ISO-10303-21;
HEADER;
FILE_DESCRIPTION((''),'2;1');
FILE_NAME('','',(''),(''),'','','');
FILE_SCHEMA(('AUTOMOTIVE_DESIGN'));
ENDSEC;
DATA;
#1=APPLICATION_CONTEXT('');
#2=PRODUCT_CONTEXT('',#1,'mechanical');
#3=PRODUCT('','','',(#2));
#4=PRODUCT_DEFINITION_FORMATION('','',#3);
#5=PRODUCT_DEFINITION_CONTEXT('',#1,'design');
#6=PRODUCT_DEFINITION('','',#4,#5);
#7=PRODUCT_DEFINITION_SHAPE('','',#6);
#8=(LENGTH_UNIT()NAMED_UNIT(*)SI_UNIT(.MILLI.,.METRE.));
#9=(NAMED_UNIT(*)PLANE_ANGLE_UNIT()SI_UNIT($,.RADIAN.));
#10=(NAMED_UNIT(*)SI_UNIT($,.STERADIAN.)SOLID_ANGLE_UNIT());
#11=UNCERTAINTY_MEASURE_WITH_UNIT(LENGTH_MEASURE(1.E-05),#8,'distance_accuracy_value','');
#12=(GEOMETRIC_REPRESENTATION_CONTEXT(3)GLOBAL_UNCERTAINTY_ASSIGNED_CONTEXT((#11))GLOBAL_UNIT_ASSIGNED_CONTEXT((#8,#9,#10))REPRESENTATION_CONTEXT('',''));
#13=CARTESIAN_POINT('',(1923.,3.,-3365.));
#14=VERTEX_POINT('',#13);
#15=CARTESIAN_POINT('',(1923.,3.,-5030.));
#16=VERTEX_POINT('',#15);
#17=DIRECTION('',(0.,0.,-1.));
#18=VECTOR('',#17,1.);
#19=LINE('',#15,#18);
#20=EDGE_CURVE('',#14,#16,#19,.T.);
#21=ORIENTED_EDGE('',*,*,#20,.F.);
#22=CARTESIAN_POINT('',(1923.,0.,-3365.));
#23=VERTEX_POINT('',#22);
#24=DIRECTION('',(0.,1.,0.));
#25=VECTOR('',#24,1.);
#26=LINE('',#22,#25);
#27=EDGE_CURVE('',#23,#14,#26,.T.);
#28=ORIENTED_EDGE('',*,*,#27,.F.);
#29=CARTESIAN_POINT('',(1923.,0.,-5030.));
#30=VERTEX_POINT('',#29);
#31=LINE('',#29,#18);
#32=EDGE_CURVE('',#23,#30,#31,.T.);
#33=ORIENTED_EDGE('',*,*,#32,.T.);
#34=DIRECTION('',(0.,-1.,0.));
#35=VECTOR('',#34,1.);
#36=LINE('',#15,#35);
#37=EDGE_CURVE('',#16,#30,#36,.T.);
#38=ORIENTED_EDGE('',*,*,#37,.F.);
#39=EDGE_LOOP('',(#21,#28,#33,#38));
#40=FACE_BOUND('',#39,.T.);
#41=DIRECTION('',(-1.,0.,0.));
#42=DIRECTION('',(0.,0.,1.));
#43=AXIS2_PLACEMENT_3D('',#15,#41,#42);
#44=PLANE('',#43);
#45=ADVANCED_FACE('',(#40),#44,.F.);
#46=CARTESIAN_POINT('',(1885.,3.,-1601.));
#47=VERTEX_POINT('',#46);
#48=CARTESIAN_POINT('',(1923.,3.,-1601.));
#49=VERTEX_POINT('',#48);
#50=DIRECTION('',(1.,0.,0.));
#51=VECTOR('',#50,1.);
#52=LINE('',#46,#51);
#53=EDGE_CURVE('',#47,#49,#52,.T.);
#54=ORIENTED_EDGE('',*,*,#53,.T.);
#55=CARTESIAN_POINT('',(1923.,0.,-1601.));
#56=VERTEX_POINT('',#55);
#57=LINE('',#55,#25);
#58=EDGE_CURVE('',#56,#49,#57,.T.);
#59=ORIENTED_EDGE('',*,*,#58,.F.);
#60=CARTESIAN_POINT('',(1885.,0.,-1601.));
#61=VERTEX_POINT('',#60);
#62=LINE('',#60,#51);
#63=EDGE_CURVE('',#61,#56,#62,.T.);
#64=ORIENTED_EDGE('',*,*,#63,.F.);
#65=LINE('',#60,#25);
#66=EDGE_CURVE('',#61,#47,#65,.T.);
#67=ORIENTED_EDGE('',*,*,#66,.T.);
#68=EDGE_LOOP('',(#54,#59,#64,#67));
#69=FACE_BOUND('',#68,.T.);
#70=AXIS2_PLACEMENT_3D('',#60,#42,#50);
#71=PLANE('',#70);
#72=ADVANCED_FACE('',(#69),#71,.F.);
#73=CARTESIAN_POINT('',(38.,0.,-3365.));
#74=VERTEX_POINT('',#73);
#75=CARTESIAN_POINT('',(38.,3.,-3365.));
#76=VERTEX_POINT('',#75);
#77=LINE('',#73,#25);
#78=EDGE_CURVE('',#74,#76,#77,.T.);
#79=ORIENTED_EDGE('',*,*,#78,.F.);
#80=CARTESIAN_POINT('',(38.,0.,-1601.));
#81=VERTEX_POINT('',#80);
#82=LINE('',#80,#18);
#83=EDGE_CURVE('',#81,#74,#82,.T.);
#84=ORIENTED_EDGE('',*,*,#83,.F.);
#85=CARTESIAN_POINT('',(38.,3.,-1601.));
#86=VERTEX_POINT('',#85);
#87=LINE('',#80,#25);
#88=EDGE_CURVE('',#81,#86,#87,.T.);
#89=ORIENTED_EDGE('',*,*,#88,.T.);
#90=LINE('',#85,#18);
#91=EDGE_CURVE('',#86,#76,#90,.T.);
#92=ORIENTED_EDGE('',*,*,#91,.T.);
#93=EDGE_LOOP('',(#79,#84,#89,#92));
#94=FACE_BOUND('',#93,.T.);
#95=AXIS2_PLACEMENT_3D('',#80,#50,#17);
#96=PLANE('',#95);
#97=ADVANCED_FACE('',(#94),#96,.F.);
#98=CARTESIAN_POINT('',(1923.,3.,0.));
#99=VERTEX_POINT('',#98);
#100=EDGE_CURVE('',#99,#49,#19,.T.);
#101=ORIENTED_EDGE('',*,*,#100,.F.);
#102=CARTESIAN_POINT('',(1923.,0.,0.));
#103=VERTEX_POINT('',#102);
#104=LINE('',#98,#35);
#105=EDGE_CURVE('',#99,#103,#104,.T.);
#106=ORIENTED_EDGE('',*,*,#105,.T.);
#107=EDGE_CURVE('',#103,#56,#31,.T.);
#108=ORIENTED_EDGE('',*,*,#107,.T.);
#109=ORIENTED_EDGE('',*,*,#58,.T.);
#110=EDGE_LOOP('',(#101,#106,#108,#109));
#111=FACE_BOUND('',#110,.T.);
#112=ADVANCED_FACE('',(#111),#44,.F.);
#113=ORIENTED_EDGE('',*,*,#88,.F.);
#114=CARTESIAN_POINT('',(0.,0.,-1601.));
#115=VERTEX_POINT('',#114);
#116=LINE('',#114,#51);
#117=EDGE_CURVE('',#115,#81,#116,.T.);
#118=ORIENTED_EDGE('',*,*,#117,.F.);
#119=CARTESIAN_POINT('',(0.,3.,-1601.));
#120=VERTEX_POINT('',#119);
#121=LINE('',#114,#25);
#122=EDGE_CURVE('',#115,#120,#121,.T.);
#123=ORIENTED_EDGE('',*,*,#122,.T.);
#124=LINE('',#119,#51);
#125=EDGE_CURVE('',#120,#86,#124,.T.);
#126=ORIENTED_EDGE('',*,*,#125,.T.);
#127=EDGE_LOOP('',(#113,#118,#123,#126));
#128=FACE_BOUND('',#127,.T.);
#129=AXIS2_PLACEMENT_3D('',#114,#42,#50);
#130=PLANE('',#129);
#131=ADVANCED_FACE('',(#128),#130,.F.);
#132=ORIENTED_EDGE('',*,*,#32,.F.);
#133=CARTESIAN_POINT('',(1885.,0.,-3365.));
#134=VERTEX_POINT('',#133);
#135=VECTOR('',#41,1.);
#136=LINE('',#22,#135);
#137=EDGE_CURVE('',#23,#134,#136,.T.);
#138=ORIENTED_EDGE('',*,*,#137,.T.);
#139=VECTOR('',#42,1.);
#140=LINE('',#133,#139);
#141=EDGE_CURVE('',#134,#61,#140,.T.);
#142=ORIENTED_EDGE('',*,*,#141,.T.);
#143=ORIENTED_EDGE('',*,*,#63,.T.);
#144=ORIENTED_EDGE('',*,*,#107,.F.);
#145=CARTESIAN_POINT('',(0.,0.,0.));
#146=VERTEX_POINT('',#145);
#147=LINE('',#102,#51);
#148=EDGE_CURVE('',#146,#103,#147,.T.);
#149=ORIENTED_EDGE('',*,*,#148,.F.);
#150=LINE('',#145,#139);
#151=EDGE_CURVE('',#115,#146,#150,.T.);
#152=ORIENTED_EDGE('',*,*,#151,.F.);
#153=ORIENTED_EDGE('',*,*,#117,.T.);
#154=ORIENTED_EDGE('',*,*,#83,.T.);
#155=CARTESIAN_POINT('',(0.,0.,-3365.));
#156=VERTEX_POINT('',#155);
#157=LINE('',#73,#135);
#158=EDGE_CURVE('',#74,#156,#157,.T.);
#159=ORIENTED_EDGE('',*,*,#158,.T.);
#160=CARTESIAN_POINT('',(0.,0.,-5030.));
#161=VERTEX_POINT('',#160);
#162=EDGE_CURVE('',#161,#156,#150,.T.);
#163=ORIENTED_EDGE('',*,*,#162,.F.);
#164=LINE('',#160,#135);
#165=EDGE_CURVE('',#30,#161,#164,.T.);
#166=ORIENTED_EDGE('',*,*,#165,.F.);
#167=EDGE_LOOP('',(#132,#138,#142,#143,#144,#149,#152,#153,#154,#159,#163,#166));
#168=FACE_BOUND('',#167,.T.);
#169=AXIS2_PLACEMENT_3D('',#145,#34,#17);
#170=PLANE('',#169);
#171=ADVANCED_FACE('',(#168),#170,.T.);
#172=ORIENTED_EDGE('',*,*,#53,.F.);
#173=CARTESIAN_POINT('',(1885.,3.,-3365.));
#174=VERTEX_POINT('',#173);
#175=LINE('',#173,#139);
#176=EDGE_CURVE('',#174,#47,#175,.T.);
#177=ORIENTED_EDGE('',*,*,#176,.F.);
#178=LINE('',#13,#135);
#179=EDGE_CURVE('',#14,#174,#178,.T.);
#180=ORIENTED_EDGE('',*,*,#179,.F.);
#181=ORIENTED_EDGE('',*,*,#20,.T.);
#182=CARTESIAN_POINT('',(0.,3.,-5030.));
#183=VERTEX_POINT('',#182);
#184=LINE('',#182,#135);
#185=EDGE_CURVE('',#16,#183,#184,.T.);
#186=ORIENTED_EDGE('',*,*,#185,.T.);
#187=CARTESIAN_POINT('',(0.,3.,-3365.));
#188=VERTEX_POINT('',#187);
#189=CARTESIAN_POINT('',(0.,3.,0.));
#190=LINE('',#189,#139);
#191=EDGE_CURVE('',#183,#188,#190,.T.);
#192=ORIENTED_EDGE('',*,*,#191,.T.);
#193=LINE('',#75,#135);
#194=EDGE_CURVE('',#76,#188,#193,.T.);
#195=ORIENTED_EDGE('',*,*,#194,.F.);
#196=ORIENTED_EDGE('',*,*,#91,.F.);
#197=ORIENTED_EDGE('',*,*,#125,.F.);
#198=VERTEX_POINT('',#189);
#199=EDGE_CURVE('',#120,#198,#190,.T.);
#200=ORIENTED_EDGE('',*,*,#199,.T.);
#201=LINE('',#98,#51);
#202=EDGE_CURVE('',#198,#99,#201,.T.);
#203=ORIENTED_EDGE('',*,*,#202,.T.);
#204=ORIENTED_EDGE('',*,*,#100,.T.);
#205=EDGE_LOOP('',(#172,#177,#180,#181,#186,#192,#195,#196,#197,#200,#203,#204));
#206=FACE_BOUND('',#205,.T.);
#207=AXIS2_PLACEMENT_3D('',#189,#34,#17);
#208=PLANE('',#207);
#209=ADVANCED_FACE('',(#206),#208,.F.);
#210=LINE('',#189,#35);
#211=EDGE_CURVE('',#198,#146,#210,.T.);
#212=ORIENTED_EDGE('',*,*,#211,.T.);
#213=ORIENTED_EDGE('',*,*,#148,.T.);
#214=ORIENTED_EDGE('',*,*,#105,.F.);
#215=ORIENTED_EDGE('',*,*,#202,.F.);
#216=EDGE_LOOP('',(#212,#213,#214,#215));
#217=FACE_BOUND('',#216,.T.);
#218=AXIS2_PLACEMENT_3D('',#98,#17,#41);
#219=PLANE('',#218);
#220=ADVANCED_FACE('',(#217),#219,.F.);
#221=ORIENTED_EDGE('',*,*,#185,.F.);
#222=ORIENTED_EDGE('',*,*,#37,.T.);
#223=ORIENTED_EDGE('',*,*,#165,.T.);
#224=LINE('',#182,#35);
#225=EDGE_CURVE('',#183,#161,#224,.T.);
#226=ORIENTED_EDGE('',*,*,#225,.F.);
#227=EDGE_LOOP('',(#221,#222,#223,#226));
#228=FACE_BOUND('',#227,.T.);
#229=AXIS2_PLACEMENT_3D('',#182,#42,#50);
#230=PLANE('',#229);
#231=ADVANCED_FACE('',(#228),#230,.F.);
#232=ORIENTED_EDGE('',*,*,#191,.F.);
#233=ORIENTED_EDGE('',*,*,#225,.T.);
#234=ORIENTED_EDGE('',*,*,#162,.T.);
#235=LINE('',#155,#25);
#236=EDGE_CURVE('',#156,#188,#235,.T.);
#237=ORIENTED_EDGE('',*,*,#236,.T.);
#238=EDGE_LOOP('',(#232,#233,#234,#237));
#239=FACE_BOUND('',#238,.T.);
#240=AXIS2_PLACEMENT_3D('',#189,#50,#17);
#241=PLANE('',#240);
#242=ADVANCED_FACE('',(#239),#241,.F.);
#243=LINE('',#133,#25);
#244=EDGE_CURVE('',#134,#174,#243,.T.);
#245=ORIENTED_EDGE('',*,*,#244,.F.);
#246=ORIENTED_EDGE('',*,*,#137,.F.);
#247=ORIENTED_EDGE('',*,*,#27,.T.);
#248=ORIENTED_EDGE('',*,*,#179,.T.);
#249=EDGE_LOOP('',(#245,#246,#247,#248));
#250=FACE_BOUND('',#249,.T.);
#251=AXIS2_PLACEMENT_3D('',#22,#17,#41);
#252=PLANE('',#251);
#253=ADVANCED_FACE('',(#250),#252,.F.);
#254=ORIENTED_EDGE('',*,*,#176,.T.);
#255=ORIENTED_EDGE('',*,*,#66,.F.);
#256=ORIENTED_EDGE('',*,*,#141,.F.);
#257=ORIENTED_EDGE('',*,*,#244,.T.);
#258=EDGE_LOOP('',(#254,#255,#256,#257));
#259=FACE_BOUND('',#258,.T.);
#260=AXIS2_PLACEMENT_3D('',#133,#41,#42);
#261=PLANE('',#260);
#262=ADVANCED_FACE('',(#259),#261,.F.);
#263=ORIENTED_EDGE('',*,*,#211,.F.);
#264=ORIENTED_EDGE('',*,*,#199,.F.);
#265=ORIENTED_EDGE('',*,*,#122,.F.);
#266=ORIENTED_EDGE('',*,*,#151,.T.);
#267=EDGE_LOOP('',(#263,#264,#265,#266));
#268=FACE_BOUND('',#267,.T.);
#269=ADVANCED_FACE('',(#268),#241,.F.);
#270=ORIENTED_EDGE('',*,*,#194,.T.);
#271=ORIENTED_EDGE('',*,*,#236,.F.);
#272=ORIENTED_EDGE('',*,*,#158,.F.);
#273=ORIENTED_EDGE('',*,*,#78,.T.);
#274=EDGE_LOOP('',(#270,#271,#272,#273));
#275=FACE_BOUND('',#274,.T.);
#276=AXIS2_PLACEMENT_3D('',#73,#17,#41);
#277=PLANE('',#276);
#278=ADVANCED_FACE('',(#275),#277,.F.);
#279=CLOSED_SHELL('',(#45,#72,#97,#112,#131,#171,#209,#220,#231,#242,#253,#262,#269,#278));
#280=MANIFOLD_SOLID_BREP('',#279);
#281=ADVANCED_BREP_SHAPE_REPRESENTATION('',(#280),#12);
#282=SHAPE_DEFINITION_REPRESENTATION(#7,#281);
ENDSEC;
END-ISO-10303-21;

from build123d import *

# Parameters (mm, degrees)
SKETCH1_W           = 1923
SKETCH1_H           = 5030
BOSS_EXTRUDE1_DEPTH = 3
SKETCH2_W           = 38
SKETCH2_H           = 1764
CUT_EXTRUDE1_DEPTH  = 3


with BuildPart() as part:
    # Sketch1 → Boss-Extrude1 (new body)
    with BuildSketch(Plane(origin=(0, 0, 0), x_dir=(1, 0, 0), z_dir=(0, 1, 0))):
        with Locations((961.5, 2515)):
            Rectangle(SKETCH1_W, SKETCH1_H)
    extrude(amount=BOSS_EXTRUDE1_DEPTH)

    # Sketch2 → Cut-Extrude1 (cut)
    with BuildSketch(Plane(origin=(0, 3, 0), x_dir=(1, 0, 0), z_dir=(0, 1, 0))):
        with Locations((19, 2483)):
            Rectangle(SKETCH2_W, SKETCH2_H)
        with Locations((1904, 2483)):
            Rectangle(SKETCH2_W, SKETCH2_H)
    extrude(amount=-CUT_EXTRUDE1_DEPTH, mode=Mode.SUBTRACT)


solid = part.part
